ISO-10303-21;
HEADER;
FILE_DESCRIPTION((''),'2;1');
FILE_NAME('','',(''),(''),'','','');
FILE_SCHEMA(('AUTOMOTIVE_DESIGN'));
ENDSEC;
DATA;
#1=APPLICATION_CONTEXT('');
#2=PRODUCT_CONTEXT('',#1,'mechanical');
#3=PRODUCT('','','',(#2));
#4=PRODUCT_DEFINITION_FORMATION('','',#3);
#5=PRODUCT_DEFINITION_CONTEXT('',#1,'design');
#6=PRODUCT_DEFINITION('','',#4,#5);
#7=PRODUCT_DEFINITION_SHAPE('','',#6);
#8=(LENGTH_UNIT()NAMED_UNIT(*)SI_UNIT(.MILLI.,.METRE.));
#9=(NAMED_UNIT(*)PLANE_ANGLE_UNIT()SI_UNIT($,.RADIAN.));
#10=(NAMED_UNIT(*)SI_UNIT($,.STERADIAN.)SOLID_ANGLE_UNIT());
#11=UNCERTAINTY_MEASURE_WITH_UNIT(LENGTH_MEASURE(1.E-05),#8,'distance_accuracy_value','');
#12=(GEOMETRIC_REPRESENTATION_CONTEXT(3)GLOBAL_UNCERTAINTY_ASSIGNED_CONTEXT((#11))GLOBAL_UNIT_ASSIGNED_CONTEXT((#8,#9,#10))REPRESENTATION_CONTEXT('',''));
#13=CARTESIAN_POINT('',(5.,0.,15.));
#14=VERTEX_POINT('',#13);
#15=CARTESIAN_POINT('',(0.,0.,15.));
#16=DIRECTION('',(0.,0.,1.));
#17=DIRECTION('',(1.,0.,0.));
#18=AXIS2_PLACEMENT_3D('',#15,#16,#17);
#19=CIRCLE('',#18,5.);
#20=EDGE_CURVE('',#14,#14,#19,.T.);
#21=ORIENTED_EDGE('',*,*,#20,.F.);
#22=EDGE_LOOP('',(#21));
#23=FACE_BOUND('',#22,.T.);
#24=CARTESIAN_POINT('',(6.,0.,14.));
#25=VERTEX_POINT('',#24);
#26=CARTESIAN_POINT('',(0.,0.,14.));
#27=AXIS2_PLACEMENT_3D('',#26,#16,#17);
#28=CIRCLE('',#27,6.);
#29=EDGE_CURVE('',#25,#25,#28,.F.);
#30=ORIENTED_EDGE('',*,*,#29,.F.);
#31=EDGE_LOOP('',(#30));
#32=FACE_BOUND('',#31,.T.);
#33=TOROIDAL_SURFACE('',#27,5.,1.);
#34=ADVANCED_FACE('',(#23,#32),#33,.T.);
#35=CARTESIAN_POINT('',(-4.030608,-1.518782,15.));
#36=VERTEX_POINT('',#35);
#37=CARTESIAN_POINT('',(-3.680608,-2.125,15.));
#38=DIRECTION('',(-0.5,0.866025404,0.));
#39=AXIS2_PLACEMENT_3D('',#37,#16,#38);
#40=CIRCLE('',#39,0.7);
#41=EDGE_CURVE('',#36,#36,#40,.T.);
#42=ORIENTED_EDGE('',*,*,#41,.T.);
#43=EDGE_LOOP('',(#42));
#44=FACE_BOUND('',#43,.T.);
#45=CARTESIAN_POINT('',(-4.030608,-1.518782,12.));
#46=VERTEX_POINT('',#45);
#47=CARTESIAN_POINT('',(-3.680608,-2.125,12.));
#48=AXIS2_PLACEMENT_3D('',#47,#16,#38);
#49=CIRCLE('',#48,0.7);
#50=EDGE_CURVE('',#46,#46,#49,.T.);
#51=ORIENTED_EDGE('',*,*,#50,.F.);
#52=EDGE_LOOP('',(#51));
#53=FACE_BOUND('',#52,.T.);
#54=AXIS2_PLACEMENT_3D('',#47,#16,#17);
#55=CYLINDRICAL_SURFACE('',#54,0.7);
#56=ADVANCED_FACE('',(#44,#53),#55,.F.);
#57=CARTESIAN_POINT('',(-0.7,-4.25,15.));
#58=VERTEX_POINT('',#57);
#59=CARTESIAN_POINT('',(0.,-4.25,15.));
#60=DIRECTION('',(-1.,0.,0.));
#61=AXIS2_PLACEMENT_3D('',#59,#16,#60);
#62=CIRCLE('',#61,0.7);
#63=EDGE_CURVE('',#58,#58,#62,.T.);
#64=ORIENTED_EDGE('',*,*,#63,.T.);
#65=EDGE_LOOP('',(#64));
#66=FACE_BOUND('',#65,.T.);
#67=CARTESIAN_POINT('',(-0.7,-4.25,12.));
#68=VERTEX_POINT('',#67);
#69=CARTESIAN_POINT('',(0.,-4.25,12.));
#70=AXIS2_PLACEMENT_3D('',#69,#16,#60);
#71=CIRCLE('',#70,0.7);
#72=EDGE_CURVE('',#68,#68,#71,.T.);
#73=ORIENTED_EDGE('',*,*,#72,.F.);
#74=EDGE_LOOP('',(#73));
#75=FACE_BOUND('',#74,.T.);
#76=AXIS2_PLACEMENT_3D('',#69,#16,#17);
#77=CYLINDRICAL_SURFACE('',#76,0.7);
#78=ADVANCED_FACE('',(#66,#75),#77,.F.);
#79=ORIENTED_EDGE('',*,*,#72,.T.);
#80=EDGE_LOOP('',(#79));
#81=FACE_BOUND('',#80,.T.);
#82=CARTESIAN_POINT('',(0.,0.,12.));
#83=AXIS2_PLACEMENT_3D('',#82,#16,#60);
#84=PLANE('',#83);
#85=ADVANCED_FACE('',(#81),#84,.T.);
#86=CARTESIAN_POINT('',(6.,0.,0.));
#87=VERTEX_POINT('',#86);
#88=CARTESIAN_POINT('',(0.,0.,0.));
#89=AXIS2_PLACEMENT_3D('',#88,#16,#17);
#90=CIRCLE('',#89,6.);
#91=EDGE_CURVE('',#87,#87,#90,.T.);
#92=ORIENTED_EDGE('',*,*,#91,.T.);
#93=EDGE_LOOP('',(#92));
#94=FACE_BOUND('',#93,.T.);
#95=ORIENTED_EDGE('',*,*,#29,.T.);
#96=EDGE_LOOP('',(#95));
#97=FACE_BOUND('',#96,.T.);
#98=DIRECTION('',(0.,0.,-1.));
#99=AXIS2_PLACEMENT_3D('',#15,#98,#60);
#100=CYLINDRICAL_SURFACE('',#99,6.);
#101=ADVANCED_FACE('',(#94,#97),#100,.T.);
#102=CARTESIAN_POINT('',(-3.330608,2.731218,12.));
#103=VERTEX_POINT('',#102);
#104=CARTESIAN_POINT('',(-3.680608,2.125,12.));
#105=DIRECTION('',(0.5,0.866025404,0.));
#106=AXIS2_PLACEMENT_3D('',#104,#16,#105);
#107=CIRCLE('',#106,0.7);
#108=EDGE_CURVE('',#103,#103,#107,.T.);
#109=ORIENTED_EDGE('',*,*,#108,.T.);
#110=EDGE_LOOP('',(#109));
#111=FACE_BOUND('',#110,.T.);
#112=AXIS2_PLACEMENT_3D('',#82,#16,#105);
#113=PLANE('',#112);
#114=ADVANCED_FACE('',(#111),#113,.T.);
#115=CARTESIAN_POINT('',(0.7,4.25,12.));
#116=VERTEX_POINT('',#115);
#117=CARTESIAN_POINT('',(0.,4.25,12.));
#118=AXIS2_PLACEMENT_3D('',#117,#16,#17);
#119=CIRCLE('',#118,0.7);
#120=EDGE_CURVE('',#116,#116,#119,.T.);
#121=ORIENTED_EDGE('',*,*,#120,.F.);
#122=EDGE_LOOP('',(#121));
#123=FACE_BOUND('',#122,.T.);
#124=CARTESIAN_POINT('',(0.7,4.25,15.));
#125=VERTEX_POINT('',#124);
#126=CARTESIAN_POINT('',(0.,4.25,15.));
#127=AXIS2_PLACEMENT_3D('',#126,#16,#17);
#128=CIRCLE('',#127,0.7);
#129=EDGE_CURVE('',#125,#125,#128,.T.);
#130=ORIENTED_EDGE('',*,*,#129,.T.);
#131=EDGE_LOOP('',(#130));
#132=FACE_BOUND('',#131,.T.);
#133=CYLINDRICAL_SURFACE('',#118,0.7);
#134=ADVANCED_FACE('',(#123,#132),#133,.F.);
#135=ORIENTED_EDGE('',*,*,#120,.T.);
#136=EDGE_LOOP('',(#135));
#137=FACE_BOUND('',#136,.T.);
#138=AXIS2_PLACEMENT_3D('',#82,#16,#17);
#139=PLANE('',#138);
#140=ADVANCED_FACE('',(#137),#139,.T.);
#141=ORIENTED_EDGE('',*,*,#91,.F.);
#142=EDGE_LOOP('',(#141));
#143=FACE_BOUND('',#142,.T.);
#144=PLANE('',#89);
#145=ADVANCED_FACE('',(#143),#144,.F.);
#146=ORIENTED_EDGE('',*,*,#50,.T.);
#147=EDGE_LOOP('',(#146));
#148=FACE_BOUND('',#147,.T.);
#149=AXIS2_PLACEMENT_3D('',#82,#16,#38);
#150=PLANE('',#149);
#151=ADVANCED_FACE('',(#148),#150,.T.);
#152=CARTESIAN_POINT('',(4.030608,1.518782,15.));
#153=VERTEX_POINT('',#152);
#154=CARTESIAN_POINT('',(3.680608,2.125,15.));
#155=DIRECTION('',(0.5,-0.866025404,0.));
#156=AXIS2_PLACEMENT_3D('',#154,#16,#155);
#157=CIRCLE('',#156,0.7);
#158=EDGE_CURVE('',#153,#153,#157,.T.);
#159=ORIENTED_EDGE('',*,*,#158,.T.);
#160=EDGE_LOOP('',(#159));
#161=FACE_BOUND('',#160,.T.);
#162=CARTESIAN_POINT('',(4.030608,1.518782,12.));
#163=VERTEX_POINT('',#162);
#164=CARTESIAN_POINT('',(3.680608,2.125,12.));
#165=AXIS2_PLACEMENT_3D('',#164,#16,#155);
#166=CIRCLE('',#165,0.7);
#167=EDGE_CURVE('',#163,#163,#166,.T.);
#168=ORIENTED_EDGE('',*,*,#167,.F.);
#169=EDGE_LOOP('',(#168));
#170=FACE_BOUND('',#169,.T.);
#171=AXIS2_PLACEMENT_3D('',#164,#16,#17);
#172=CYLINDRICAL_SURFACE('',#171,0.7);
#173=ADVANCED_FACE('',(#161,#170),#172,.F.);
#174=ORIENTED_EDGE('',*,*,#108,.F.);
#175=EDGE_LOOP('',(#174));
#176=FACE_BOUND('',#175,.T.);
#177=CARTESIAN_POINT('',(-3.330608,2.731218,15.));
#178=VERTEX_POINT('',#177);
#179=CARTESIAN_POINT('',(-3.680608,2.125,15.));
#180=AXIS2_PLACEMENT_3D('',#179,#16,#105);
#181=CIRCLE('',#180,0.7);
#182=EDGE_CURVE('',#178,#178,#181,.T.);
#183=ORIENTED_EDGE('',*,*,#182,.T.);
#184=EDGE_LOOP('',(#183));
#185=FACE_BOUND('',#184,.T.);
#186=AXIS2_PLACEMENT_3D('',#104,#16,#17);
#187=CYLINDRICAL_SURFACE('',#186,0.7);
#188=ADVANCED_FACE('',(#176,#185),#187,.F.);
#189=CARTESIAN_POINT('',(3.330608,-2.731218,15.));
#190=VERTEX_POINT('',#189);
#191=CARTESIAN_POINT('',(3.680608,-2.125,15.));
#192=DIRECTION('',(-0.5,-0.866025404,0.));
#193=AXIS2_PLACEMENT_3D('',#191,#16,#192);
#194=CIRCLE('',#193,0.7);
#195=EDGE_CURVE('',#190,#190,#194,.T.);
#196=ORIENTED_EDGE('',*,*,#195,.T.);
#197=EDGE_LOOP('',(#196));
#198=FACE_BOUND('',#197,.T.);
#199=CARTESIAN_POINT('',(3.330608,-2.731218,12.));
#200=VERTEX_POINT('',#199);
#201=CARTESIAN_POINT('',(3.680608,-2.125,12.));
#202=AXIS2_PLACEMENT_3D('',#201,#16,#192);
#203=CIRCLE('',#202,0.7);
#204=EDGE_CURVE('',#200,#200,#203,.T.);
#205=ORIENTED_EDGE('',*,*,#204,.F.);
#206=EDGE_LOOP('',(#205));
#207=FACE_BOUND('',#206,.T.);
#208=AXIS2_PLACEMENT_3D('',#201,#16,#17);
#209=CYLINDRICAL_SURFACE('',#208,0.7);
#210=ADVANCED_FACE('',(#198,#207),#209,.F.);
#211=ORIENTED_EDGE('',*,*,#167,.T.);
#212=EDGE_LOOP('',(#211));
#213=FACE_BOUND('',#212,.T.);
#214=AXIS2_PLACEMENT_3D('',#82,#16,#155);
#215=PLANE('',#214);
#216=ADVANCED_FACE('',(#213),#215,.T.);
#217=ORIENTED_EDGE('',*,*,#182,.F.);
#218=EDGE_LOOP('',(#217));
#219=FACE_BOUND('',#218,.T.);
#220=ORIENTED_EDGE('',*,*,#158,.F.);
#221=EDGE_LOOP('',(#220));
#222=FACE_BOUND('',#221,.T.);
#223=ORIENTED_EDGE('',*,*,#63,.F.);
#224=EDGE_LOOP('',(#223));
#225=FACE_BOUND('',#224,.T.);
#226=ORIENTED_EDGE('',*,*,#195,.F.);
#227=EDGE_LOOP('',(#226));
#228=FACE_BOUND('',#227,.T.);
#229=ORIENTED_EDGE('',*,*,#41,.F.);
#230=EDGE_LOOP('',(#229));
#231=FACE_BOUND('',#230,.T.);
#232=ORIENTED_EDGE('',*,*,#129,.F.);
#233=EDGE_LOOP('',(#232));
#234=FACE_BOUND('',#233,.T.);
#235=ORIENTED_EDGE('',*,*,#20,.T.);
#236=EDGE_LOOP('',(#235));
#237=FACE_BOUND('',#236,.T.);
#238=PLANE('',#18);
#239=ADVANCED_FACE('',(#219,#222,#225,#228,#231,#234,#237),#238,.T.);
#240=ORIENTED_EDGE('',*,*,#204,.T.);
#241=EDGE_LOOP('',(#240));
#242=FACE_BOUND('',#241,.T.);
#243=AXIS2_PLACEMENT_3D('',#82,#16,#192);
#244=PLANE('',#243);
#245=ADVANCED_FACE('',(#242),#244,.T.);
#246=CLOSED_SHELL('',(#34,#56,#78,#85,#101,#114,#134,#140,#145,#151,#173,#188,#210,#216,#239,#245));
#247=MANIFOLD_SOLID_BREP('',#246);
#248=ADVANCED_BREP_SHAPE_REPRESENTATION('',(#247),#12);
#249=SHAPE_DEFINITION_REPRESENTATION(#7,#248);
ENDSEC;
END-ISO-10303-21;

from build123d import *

# Parameters (mm, degrees)
SKETCH1_R           = 6
BOSS_EXTRUDE1_DEPTH = 15
SKETCH2_R           = 0.7
CUT_EXTRUDE1_DEPTH  = 3
CIRPATTERN1_COUNT   = 6
FILLET1_R           = 1


with BuildPart() as part:
    # Sketch1 → Boss-Extrude1 (new body)
    with BuildSketch(Plane.XY):
        Circle(SKETCH1_R)
    extrude(amount=BOSS_EXTRUDE1_DEPTH)

    # Sketch2 → Cut-Extrude1 (cut)
    with BuildSketch(Plane.XY.offset(15)):
        with Locations((0, 4.25)):
            Circle(SKETCH2_R)
    cut_extrude1 = extrude(amount=-CUT_EXTRUDE1_DEPTH, mode=Mode.SUBTRACT)

    # CirPattern1: Cut-Extrude1 ×6 about axis
    cirpattern1_axis = Axis((0, 0, 0), (0, 0, 1))
    for i in range(1, CIRPATTERN1_COUNT):
        add(cut_extrude1.rotate(cirpattern1_axis, i * 360 / CIRPATTERN1_COUNT), mode=Mode.SUBTRACT)

    # Fillet1
    fillet1_edges = [part.edges().sort_by_distance(p)[0] for p in [
        (-6, 0, 15),
    ]]
    fillet(fillet1_edges, radius=FILLET1_R)


solid = part.part
